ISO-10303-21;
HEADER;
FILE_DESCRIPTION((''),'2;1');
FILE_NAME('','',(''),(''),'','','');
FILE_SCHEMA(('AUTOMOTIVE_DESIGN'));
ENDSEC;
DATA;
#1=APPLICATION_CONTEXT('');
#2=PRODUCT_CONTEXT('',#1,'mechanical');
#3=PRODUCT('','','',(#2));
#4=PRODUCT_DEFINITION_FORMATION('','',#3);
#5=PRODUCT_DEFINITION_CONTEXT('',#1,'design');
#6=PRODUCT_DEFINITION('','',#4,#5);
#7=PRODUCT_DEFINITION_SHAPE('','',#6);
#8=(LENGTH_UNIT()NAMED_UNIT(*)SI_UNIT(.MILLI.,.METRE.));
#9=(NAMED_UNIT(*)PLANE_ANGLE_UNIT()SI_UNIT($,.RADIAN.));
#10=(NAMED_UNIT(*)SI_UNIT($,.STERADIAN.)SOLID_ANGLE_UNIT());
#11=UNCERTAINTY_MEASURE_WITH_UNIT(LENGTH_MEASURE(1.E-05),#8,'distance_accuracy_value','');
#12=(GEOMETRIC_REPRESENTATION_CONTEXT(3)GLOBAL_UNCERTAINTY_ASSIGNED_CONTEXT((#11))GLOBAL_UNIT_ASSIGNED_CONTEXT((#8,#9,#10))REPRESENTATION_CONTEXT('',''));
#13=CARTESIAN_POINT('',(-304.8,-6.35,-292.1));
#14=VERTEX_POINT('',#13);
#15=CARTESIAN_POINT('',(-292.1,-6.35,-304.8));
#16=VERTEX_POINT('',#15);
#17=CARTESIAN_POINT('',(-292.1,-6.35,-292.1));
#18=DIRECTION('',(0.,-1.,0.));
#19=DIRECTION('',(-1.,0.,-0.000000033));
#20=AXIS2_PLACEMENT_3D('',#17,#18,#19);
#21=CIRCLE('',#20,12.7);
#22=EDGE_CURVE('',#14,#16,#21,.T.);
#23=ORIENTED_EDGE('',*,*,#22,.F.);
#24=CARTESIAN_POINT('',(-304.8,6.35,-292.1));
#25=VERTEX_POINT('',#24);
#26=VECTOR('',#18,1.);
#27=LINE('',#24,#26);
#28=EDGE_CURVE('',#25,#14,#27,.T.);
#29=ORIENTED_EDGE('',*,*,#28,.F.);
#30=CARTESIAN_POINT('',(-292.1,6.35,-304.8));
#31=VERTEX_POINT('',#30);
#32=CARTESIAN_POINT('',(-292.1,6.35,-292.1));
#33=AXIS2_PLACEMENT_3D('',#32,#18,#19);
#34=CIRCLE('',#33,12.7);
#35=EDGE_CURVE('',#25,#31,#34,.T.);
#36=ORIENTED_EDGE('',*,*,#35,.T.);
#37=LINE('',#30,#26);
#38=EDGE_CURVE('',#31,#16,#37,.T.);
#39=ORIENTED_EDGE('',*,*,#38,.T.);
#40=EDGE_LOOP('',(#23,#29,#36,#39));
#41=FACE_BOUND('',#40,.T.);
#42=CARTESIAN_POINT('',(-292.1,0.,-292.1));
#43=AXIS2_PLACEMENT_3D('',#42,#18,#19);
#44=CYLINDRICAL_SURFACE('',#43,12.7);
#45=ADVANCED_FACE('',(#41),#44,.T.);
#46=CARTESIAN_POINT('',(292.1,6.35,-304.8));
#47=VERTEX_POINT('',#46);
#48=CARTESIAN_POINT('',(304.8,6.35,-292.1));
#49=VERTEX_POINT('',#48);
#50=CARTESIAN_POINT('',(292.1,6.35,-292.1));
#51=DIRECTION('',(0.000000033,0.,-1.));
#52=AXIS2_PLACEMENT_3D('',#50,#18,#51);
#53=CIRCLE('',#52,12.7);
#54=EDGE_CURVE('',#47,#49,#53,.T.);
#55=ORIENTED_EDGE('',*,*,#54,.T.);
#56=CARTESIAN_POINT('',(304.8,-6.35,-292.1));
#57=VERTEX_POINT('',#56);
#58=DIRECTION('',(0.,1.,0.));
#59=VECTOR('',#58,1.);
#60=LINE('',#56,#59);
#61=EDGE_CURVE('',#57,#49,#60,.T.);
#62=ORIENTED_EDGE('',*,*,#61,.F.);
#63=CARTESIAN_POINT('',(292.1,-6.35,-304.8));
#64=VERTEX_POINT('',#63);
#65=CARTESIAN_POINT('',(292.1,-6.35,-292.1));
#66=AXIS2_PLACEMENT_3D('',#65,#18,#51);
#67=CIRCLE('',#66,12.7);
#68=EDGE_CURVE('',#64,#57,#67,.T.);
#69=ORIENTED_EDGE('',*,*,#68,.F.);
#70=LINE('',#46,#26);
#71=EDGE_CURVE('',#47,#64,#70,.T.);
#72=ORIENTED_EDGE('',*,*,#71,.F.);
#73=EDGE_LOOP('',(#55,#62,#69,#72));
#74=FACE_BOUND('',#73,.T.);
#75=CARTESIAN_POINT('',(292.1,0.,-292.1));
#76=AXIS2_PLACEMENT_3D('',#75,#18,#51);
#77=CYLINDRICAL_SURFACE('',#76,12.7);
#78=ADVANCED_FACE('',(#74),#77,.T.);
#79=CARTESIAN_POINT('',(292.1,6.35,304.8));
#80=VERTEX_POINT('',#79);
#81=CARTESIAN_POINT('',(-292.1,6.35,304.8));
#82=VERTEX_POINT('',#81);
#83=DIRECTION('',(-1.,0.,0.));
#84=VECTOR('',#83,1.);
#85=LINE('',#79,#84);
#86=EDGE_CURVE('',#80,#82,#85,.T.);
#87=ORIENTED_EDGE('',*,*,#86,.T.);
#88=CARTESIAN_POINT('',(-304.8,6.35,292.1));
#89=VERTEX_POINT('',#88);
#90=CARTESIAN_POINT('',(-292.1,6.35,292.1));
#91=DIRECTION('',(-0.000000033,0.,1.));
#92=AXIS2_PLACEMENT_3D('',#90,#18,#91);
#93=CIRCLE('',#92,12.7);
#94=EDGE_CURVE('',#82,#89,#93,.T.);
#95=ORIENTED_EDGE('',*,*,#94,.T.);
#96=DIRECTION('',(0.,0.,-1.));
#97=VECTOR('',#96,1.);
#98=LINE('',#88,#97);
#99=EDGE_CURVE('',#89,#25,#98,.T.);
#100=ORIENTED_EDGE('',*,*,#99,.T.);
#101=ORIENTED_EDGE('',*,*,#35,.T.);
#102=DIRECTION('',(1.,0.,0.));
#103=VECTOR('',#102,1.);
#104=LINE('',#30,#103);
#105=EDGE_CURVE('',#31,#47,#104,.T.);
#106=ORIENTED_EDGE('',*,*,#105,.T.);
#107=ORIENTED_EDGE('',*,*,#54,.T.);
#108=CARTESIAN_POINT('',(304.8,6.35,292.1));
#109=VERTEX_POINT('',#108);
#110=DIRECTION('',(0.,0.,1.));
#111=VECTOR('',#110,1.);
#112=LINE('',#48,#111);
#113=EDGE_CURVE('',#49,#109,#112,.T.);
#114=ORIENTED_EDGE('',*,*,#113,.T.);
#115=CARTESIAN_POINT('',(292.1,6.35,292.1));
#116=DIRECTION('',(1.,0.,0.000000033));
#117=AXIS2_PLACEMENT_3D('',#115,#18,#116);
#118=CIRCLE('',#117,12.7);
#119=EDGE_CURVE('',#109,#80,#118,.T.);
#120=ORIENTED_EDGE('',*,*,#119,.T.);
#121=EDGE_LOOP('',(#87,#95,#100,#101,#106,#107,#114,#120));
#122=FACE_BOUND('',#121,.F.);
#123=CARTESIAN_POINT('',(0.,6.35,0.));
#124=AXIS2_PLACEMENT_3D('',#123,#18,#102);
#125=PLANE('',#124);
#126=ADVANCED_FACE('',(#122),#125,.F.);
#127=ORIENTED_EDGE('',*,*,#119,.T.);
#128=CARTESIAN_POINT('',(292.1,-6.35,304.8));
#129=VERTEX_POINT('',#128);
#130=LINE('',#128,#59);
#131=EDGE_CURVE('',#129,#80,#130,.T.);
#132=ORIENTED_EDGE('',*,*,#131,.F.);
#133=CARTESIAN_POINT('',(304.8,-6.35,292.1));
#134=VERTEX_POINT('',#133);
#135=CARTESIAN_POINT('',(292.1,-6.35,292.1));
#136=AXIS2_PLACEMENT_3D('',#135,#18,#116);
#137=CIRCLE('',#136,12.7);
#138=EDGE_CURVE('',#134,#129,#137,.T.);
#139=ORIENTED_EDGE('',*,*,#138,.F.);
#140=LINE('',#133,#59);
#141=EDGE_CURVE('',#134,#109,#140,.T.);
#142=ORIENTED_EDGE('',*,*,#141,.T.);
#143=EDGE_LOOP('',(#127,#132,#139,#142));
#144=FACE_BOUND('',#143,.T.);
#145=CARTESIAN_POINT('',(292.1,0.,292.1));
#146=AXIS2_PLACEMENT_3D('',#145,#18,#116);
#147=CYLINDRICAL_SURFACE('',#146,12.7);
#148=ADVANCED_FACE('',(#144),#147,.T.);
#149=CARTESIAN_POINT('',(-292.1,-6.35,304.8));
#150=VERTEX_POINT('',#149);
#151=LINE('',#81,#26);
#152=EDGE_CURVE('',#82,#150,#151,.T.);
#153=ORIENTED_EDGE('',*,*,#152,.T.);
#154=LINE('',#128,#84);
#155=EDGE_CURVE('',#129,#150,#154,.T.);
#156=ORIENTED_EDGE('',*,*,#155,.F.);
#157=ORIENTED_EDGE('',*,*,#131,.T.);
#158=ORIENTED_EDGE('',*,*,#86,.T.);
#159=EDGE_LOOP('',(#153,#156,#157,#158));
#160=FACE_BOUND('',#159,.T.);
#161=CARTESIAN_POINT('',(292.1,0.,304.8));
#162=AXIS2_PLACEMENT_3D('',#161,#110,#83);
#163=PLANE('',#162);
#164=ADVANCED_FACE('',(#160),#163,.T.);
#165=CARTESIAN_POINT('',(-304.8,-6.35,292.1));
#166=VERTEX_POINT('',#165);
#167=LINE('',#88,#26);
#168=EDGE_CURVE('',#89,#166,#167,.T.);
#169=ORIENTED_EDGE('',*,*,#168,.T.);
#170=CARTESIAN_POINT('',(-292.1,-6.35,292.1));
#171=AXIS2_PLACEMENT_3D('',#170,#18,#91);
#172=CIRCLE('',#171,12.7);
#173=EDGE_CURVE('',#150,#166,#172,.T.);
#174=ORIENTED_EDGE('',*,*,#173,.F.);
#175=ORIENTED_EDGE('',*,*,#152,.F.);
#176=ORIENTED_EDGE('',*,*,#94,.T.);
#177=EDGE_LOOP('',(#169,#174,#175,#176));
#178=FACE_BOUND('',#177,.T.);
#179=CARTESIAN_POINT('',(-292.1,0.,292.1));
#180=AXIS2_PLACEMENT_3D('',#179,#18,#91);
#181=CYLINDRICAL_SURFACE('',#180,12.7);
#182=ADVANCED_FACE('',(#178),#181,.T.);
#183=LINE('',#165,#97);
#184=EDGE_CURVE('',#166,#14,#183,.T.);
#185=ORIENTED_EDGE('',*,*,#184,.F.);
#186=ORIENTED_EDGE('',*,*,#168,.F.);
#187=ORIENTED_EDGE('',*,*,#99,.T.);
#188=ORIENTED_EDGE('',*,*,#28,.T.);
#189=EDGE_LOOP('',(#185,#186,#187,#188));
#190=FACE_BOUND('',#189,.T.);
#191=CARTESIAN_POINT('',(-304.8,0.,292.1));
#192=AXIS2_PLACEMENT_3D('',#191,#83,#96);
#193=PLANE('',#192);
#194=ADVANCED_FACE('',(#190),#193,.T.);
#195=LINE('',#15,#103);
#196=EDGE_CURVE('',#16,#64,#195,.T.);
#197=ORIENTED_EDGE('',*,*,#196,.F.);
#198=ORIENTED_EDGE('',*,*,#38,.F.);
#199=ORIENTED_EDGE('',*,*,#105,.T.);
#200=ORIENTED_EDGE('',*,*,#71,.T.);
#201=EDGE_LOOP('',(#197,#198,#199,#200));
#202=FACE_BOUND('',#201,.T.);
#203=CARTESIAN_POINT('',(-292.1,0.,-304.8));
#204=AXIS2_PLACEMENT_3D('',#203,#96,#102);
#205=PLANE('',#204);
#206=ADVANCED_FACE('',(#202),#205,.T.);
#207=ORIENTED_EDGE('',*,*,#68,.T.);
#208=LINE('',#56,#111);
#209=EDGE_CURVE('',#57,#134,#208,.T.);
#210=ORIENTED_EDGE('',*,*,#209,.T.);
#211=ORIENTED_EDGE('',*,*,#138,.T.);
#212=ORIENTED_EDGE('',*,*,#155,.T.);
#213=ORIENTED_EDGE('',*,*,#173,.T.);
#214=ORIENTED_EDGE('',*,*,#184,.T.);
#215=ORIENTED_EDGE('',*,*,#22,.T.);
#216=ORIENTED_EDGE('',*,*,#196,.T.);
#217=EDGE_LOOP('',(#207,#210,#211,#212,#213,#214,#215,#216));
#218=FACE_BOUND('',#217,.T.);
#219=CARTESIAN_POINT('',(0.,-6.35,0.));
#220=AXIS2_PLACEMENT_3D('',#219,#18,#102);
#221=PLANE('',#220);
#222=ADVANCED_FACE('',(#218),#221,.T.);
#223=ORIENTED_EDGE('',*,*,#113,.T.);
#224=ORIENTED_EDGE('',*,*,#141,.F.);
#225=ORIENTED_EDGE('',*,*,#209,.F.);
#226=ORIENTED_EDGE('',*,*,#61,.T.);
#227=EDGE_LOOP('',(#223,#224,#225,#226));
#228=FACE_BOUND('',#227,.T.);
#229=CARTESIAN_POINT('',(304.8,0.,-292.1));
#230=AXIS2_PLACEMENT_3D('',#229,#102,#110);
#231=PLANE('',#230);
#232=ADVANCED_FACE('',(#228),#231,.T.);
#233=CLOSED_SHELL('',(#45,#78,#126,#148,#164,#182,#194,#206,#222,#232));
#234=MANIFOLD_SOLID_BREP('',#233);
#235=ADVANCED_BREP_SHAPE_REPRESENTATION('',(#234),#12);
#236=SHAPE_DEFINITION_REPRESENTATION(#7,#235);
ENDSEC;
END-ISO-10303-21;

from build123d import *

# Parameters (mm, degrees)
F1_DEPTH = 6.35


with BuildPart() as f1:
    # F0 (on Front) → F1 (new body, symmetric)
    with BuildSketch(Plane.XZ):
        with BuildLine():
            Line((292.1, 304.8), (-292.1, 304.8))
            ThreePointArc((-292.1, 304.8), (-301.080256, 301.080256), (-304.8, 292.1))
            Line((-304.8, 292.1), (-304.8, -292.1))
            ThreePointArc((-304.8, -292.1), (-301.080256, -301.080256), (-292.1, -304.8))
            Line((-292.1, -304.8), (292.1, -304.8))
            ThreePointArc((292.1, -304.8), (301.080256, -301.080256), (304.8, -292.1))
            Line((304.8, -292.1), (304.8, 292.1))
            ThreePointArc((304.8, 292.1), (301.080256, 301.080256), (292.1, 304.8))
        make_face()
    extrude(amount=F1_DEPTH, both=True)


solid = f1.part
